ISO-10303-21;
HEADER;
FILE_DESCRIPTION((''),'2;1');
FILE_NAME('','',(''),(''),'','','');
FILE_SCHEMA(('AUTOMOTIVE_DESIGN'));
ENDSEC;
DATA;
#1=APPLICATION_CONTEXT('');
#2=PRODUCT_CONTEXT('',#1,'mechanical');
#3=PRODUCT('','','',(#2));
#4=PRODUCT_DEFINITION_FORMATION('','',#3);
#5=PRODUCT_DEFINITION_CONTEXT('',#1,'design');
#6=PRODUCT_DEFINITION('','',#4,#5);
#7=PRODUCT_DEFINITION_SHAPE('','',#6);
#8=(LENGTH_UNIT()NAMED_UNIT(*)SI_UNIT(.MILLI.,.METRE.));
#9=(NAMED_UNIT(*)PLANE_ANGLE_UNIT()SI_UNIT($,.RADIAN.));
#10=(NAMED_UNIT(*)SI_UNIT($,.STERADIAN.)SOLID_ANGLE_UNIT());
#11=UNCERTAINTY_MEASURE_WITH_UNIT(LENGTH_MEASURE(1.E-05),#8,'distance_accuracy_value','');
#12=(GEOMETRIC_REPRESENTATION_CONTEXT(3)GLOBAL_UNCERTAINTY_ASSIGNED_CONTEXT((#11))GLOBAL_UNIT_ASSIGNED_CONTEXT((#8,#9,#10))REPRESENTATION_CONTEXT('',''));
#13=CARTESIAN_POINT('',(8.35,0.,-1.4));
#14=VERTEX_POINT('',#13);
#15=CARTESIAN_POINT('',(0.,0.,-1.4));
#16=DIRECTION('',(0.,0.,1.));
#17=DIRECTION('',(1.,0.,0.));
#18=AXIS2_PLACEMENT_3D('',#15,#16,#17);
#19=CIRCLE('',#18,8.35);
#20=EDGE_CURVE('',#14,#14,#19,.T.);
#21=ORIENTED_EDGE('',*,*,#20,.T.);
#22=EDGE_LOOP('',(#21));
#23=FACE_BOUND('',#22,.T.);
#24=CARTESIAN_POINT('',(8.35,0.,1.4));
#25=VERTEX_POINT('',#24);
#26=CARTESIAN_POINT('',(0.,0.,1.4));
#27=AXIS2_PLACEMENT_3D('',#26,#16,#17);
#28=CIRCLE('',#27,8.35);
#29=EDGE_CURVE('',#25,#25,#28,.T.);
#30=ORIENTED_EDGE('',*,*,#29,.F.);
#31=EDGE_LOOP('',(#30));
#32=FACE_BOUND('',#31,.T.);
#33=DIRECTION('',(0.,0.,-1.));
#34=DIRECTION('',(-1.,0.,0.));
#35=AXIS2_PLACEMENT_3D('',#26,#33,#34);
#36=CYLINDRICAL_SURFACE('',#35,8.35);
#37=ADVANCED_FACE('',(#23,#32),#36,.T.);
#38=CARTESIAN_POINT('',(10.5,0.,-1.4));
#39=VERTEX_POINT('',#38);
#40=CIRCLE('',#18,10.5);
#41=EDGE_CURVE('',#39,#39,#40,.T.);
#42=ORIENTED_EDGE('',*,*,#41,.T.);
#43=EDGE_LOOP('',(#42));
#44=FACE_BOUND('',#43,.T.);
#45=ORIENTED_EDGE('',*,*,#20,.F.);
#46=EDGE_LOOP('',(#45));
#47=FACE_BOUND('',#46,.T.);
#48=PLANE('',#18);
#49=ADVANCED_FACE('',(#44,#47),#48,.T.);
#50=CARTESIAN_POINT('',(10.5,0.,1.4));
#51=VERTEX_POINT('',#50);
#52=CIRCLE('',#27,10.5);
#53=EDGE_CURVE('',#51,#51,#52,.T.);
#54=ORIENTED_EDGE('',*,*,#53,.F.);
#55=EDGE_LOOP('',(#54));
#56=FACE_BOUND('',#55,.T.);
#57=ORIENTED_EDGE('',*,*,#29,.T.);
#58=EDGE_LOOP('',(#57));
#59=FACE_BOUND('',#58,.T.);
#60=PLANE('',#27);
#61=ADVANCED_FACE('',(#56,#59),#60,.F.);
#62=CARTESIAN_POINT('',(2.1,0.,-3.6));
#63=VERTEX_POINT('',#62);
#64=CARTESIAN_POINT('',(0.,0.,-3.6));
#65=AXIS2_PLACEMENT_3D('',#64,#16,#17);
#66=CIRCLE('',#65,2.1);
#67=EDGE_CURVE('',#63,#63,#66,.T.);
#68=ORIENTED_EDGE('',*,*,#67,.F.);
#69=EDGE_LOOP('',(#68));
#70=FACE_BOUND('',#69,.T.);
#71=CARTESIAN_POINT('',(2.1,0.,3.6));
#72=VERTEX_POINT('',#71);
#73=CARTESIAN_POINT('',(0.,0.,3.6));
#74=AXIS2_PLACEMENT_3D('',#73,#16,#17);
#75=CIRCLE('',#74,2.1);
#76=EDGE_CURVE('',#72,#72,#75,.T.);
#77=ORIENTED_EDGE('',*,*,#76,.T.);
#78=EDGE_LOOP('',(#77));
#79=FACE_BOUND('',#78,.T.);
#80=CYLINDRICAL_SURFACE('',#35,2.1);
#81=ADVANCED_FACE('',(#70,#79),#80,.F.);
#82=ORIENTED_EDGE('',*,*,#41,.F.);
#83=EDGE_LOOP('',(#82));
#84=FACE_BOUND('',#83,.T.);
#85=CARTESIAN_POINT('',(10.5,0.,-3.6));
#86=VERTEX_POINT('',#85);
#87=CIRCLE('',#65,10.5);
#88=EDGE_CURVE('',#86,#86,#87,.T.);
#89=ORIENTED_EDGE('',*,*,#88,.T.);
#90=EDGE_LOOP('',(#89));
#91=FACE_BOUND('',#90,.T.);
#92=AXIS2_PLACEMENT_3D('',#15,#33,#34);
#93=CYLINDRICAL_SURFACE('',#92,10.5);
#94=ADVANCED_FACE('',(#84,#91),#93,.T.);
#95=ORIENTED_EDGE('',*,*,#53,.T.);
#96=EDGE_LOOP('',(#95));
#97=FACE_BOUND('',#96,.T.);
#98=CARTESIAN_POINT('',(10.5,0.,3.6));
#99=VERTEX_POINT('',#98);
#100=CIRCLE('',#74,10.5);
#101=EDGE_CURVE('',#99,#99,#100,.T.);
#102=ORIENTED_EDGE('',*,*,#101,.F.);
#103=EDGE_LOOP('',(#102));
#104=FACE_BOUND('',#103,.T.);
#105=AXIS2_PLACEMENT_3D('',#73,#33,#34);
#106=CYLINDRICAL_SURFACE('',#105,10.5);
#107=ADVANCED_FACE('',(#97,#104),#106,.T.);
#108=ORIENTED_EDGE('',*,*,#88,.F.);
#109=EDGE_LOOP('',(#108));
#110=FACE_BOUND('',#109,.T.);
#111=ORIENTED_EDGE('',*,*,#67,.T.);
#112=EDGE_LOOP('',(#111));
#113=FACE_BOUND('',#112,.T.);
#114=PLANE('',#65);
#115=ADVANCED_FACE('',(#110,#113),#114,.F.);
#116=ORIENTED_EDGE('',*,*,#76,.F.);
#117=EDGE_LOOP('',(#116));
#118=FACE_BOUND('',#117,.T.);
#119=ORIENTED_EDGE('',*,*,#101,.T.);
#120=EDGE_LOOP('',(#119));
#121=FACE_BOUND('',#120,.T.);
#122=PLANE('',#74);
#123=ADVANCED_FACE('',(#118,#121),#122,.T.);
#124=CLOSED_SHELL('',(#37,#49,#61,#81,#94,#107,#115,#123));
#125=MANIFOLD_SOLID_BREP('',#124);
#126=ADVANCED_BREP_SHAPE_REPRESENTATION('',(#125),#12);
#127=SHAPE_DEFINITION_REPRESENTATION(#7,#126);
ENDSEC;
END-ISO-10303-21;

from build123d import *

# Parameters (mm, degrees)
F_01_START                           = -1.4
S01_GROOVE_ROOT_AND_AXLE_BORE_R      = 8.35
S01_GROOVE_ROOT_AND_AXLE_BORE_R_2    = 2.1
F_01_GROOVE_ROOT_AND_AXLE_BORE_DEPTH = 2.8
F_02_START                           = -3.6
S02_RETAINING_FLANGE_3_6_R           = 10.5
S02_RETAINING_FLANGE_3_6_R_2         = 2.1
F_02_RETAINING_FLANGE_3_6_DEPTH      = 2.2
F_03_START                           = 1.4
S03_RETAINING_FLANGE_1_4_R           = 10.5
S03_RETAINING_FLANGE_1_4_R_2         = 2.1
F_03_RETAINING_FLANGE_1_4_DEPTH      = 2.2


with BuildPart() as part:
    # S01 - Groove root and axle bore → 01 - Groove root and axle bore (new body)
    with BuildSketch(Plane.XY.offset(F_01_START)):
        Circle(S01_GROOVE_ROOT_AND_AXLE_BORE_R)
        Circle(S01_GROOVE_ROOT_AND_AXLE_BORE_R_2, mode=Mode.SUBTRACT)
    extrude(amount=F_01_GROOVE_ROOT_AND_AXLE_BORE_DEPTH)

    # S02 - Retaining flange -3.6 → 02 - Retaining flange -3.6 (add)
    with BuildSketch(Plane.XY.offset(F_02_START)):
        Circle(S02_RETAINING_FLANGE_3_6_R)
        Circle(S02_RETAINING_FLANGE_3_6_R_2, mode=Mode.SUBTRACT)
    extrude(amount=F_02_RETAINING_FLANGE_3_6_DEPTH)

    # S03 - Retaining flange 1.4 → 03 - Retaining flange 1.4 (add)
    with BuildSketch(Plane.XY.offset(F_03_START)):
        Circle(S03_RETAINING_FLANGE_1_4_R)
        Circle(S03_RETAINING_FLANGE_1_4_R_2, mode=Mode.SUBTRACT)
    extrude(amount=F_03_RETAINING_FLANGE_1_4_DEPTH)


solid = part.part
